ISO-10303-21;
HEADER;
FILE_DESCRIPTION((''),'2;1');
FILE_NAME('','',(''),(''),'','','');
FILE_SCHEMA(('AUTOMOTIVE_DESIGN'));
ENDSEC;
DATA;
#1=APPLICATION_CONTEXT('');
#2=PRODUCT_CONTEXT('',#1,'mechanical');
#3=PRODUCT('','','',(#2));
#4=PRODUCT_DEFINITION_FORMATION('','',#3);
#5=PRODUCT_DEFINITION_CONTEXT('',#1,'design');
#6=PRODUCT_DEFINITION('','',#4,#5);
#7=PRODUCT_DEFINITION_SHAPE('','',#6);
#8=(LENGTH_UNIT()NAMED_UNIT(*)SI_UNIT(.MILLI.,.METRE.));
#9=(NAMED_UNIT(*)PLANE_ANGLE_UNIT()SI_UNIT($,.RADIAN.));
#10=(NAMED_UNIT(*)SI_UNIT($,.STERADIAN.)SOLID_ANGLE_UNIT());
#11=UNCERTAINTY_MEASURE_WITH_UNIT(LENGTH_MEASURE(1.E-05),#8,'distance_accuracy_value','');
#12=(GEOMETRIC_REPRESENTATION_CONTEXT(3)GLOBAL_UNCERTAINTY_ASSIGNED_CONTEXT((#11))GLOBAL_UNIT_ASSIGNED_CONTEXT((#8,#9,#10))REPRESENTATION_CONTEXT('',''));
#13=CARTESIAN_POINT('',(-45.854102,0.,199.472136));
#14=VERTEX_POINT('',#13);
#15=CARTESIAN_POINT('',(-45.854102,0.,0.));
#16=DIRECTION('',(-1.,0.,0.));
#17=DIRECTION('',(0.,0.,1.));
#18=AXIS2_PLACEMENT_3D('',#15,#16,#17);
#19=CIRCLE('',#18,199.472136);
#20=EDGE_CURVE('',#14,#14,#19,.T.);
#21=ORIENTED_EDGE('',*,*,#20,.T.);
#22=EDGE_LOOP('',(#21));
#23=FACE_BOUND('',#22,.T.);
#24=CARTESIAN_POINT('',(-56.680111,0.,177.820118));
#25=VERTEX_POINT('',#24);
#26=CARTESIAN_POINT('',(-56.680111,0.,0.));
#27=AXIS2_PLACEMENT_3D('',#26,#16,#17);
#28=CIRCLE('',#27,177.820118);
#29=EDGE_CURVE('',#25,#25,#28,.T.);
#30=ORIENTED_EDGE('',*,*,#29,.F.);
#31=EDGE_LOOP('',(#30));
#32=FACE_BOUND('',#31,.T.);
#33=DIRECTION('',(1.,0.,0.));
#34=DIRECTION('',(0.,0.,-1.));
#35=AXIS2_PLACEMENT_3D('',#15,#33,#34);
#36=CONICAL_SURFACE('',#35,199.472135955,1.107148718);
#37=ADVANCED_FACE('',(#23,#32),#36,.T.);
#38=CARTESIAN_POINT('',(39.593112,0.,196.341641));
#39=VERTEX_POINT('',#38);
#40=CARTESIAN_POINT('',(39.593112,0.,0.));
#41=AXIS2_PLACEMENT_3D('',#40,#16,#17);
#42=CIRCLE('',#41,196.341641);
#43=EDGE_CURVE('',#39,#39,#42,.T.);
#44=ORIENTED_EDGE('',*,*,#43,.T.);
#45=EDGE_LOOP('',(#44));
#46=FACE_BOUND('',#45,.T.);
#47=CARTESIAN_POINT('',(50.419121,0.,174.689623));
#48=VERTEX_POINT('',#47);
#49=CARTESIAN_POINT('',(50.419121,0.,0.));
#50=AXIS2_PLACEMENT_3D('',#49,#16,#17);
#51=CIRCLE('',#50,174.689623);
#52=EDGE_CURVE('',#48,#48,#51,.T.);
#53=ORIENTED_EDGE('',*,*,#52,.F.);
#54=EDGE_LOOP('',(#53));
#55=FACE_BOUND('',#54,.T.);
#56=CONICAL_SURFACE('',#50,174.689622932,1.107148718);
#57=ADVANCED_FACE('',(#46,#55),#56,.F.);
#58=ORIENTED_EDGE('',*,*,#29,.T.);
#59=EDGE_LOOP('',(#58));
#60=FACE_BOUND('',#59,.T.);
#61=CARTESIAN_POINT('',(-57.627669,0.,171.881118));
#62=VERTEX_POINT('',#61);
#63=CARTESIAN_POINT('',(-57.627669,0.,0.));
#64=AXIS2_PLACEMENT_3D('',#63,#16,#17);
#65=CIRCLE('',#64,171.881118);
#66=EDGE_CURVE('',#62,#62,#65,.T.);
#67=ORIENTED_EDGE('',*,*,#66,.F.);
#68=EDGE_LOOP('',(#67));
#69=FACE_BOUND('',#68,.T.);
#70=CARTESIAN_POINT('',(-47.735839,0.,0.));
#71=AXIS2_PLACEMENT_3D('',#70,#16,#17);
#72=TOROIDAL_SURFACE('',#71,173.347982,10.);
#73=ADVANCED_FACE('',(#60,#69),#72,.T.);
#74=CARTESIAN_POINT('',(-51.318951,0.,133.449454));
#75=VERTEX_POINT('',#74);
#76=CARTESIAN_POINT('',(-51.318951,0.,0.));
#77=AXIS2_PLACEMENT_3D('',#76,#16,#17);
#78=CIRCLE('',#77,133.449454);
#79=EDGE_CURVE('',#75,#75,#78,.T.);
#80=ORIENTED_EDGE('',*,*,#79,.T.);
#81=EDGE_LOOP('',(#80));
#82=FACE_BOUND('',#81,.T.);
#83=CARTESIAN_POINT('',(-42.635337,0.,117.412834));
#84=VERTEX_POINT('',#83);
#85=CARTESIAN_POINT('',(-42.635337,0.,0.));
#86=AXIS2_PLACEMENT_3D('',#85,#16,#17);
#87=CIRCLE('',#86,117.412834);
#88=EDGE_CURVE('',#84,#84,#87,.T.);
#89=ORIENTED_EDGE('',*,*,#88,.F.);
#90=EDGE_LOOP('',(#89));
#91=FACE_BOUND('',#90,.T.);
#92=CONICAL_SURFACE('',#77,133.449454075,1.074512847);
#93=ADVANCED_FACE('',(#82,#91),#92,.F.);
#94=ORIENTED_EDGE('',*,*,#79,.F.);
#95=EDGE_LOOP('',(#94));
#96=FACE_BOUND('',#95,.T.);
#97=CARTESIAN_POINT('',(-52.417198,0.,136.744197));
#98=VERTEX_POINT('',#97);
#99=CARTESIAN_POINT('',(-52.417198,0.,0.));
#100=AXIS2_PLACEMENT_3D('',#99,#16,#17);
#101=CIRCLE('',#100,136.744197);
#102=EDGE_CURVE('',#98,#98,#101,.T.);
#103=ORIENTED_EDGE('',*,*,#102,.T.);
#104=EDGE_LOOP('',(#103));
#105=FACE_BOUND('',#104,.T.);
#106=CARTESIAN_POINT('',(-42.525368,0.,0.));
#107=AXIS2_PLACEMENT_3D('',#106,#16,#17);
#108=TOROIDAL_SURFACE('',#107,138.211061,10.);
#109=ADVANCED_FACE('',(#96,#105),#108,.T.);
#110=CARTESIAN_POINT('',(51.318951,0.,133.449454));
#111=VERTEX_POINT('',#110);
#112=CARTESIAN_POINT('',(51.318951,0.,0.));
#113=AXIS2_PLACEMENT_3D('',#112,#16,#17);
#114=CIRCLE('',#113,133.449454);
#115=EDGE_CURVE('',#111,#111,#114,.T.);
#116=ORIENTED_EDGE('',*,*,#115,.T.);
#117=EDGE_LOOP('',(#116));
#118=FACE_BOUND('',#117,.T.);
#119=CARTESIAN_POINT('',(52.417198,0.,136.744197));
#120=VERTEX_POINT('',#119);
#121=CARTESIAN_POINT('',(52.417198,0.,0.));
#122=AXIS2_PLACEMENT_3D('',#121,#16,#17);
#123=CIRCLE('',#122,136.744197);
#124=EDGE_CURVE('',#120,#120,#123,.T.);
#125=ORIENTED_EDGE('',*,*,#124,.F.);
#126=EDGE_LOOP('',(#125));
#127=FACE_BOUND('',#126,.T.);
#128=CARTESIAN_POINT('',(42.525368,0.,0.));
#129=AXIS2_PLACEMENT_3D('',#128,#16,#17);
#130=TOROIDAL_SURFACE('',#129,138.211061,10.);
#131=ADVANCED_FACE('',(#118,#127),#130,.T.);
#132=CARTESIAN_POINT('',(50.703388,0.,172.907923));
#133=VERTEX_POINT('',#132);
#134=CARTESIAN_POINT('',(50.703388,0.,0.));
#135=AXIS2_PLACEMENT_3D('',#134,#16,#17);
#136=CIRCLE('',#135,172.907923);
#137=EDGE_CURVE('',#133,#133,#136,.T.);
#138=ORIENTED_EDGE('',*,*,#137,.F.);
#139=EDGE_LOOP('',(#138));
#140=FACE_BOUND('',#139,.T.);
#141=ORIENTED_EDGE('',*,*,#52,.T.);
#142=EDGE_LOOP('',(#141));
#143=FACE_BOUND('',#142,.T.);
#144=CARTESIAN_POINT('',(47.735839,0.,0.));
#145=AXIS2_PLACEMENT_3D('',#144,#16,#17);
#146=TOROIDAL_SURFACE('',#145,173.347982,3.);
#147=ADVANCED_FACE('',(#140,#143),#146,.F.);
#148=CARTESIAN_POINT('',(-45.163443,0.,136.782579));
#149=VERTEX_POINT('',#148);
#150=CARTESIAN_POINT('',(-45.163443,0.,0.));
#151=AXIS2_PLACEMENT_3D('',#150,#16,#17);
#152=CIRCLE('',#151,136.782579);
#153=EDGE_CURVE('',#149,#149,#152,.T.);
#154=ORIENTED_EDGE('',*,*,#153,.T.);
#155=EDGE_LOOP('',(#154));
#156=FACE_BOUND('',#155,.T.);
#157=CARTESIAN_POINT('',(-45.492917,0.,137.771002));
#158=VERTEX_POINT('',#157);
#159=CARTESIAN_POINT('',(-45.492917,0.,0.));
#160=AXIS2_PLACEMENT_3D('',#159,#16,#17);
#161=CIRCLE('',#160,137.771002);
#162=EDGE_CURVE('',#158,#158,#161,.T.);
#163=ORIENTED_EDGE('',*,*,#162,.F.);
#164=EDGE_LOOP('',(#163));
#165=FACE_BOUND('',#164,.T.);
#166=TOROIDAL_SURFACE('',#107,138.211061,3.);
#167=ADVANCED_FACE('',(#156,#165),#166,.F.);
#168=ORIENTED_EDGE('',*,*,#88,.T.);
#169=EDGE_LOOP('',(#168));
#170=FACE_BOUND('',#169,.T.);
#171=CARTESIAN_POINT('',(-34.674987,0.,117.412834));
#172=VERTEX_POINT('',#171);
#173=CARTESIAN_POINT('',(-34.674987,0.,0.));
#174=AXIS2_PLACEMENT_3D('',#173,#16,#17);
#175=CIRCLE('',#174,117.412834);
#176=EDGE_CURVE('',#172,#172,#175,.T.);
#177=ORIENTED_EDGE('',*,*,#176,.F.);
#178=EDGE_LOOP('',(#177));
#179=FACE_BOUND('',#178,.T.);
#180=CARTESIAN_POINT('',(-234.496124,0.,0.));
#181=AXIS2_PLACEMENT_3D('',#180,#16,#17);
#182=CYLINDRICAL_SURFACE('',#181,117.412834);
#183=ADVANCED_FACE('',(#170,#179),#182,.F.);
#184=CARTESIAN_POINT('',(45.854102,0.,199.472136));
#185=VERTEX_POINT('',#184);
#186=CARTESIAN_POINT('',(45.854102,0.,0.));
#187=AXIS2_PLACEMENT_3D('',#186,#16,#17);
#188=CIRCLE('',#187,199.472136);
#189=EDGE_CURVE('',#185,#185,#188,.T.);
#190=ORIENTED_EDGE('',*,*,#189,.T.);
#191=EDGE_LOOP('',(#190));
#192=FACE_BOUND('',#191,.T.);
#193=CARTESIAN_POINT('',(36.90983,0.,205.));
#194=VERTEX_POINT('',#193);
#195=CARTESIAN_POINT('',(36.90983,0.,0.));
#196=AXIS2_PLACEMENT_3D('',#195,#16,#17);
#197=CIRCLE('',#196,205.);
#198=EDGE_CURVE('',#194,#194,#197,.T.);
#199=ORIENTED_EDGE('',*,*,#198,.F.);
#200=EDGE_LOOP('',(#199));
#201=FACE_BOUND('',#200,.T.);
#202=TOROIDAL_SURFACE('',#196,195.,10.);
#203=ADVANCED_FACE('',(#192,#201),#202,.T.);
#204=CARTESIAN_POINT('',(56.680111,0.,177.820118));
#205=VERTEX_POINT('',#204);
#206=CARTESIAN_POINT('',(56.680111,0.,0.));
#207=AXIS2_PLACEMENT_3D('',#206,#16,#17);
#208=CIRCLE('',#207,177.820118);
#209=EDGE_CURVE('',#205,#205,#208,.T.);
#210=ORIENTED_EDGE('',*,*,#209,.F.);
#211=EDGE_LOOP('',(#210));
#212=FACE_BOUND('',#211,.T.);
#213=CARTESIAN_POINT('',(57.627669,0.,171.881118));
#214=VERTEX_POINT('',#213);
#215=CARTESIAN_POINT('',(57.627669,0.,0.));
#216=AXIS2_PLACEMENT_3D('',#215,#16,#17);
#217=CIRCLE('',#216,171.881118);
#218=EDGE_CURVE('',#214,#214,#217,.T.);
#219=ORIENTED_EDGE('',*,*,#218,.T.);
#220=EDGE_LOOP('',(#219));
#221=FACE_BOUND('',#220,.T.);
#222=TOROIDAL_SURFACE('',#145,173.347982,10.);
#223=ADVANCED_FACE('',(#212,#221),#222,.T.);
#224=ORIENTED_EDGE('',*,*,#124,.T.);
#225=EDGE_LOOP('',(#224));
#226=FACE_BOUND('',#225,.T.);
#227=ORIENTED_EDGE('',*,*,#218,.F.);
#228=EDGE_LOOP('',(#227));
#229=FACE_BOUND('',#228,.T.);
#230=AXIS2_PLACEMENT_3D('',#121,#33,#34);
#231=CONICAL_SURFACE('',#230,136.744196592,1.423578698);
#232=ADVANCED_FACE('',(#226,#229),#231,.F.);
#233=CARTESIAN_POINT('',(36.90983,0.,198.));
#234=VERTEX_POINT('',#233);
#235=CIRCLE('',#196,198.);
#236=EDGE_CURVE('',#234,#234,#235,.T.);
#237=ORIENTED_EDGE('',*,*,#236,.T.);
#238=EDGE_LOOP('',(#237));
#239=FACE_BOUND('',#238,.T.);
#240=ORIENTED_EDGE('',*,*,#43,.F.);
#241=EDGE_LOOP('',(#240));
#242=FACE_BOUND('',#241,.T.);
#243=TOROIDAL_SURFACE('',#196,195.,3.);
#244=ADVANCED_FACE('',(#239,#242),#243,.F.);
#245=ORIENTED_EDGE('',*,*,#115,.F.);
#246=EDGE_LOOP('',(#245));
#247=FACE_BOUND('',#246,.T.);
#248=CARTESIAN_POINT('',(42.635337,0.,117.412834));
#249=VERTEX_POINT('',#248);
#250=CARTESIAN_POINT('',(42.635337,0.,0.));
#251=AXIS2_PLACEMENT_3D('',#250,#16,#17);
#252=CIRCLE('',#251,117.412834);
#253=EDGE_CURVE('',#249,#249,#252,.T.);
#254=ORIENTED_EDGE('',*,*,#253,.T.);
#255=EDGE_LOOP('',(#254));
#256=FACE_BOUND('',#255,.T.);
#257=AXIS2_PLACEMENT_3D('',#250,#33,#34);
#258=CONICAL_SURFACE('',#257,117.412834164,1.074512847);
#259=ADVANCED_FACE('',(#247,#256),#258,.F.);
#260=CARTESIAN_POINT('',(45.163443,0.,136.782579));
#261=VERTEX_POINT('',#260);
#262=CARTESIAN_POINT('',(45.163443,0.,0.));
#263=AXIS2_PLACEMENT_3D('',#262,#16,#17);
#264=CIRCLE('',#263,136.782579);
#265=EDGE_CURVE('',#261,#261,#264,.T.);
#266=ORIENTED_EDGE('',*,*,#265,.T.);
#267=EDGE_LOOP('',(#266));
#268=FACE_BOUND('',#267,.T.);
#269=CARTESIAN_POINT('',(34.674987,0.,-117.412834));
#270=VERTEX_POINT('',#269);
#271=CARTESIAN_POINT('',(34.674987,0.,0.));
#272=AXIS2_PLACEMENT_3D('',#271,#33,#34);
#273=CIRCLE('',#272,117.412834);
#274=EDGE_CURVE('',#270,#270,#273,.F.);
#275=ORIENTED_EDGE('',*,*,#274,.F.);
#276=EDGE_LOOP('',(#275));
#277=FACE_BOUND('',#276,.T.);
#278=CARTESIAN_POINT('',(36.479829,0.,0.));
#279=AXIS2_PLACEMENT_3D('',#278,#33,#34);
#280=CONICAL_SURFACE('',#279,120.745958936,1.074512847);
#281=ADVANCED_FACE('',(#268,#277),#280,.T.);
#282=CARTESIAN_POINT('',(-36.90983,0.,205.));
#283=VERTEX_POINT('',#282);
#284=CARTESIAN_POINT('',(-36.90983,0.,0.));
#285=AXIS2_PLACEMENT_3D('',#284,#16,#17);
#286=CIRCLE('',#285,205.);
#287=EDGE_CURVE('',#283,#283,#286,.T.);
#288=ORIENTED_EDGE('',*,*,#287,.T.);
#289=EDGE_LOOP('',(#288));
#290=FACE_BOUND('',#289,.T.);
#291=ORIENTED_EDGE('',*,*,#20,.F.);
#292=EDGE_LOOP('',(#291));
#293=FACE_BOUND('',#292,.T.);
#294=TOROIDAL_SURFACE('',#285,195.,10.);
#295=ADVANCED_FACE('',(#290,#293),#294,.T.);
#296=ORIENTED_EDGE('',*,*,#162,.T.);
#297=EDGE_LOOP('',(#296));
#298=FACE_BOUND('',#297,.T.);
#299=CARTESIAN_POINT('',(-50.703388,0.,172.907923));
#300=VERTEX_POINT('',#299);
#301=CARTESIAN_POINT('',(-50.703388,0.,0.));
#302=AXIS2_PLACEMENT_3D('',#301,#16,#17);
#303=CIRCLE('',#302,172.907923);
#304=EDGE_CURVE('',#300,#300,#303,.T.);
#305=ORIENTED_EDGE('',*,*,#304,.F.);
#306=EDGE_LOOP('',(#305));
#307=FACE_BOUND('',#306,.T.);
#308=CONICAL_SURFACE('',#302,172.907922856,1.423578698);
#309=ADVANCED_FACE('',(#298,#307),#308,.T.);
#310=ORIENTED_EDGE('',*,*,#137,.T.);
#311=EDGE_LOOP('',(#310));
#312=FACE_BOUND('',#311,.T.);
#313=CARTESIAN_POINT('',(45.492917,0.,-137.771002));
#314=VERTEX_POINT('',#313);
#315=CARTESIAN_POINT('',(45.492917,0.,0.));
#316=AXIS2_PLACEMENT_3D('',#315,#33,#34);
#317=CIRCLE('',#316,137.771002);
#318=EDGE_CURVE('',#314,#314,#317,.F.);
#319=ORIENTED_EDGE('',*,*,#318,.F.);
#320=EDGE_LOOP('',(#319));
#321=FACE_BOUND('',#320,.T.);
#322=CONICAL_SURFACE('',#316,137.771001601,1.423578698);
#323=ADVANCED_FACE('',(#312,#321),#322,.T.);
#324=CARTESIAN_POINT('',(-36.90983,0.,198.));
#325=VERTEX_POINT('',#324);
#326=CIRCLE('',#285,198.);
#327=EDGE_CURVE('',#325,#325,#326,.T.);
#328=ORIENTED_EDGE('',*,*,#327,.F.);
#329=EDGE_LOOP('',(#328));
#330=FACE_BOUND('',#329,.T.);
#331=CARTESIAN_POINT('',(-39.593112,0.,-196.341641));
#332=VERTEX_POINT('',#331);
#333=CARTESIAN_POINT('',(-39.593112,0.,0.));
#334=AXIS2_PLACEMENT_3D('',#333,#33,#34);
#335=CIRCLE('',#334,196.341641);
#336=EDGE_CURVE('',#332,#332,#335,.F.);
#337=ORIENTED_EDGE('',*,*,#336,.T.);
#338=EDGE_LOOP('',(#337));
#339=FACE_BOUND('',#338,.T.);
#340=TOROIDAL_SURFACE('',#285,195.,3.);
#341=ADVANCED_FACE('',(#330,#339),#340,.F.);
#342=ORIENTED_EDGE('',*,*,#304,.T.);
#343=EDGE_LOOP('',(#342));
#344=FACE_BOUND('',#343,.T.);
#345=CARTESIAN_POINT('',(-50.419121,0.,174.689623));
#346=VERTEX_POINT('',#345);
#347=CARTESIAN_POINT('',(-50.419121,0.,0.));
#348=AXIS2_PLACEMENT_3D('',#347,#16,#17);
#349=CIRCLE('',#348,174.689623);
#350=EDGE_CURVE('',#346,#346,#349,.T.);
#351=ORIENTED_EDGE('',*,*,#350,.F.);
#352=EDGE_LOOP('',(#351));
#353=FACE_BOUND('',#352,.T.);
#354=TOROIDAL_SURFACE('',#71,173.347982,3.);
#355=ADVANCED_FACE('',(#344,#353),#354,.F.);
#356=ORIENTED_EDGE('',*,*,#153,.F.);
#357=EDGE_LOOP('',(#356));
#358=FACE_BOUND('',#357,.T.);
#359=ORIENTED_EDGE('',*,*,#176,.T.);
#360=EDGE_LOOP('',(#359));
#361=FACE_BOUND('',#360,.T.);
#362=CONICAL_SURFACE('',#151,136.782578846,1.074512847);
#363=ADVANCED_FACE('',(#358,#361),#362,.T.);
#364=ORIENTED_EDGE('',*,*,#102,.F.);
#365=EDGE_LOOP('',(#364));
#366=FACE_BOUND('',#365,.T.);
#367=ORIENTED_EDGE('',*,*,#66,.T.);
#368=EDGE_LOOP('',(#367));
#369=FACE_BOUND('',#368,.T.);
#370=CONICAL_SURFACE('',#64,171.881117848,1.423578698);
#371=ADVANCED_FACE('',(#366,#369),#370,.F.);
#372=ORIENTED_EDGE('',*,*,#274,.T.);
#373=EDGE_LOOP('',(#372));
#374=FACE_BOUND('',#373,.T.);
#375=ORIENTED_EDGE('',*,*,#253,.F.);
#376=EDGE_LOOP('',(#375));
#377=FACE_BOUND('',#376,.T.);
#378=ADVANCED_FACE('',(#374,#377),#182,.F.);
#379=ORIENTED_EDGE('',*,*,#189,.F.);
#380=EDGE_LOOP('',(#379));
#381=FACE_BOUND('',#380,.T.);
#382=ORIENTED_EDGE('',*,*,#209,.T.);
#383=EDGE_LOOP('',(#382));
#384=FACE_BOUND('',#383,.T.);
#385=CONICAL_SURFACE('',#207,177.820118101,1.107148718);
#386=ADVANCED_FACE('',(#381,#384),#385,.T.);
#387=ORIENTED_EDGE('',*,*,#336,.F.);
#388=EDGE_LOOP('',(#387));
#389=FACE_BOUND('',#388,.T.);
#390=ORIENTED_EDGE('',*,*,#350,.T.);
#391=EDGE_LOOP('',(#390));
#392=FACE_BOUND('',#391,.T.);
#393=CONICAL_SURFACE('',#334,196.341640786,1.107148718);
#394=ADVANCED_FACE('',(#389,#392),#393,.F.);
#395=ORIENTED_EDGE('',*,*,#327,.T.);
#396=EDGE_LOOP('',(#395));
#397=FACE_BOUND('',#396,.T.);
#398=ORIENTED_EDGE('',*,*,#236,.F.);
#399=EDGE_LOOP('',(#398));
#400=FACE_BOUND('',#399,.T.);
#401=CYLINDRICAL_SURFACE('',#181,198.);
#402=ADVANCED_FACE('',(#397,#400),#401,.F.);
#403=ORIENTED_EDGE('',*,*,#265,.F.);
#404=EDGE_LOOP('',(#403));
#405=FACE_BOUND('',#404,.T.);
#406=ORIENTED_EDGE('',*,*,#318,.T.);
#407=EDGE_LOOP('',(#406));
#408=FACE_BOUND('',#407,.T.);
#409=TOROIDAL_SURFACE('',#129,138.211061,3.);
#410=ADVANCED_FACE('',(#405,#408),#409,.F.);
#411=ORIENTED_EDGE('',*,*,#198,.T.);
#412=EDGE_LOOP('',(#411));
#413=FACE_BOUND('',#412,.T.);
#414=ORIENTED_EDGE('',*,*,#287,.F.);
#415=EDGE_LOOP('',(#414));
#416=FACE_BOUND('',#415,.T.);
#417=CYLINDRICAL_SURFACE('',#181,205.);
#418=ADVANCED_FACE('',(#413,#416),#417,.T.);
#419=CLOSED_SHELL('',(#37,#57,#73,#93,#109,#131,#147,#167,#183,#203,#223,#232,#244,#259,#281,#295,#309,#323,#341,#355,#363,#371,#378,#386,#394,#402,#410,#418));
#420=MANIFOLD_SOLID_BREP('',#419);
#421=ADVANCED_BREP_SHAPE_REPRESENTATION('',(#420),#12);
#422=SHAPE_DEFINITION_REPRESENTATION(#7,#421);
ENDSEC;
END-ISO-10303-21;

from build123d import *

# Parameters (mm, degrees)
SHELL1_T = -7


with BuildPart() as part:
    # Sketch1 → Revolve1 (revolve)
    with BuildSketch(Plane(origin=(0, 0, 0), x_dir=(1, 0, 0), z_dir=(0, 1, 0)), mode=Mode.PRIVATE) as revolve1_sk:
        with BuildLine():
            Line((-36.909830056, 205), (36.909830056, 205))
            ThreePointArc((36.909830056, 205), (42.167141177, 203.506508084), (45.854101966, 199.472135955))
            Line((45.854101966, 199.472135955), (56.680110893, 177.820118101))
            ThreePointArc((56.680110893, 177.820118101), (57.610939934, 174.923539576), (57.627669407, 171.881117848))
            Line((57.627669407, 171.881117848), (52.41719843, 136.744196592))
            ThreePointArc((52.41719843, 136.744196592), (52.012200987, 135.04878323), (51.318950924, 133.449454075))
            Line((51.318950924, 133.449454075), (42.635337046, 117.412834164))
            Line((42.635337046, 117.412834164), (-42.635337046, 117.412834164))
            Line((-42.635337046, 117.412834164), (-51.318950924, 133.449454075))
            ThreePointArc((-51.318950924, 133.449454075), (-52.012200987, 135.04878323), (-52.41719843, 136.744196592))
            Line((-52.41719843, 136.744196592), (-57.627669407, 171.881117848))
            ThreePointArc((-57.627669407, 171.881117848), (-57.610939934, 174.923539576), (-56.680110893, 177.820118101))
            Line((-56.680110893, 177.820118101), (-45.854101966, 199.472135955))
            ThreePointArc((-45.854101966, 199.472135955), (-42.167141177, 203.506508084), (-36.909830056, 205))
        make_face()
    revolve(revolve1_sk.sketch.rotate(Axis((-234.496124031, 0, 0), (1, 0, 0)), 180), axis=Axis((-234.496124031, 0, 0), (1, 0, 0)))

    # Shell1
    shell1_openings = [part.faces().sort_by_distance(p)[0] for p in [
        (0, 0, -117.412834164),
    ]]
    offset(amount=SHELL1_T, openings=shell1_openings, kind=Kind.INTERSECTION)


solid = part.part
